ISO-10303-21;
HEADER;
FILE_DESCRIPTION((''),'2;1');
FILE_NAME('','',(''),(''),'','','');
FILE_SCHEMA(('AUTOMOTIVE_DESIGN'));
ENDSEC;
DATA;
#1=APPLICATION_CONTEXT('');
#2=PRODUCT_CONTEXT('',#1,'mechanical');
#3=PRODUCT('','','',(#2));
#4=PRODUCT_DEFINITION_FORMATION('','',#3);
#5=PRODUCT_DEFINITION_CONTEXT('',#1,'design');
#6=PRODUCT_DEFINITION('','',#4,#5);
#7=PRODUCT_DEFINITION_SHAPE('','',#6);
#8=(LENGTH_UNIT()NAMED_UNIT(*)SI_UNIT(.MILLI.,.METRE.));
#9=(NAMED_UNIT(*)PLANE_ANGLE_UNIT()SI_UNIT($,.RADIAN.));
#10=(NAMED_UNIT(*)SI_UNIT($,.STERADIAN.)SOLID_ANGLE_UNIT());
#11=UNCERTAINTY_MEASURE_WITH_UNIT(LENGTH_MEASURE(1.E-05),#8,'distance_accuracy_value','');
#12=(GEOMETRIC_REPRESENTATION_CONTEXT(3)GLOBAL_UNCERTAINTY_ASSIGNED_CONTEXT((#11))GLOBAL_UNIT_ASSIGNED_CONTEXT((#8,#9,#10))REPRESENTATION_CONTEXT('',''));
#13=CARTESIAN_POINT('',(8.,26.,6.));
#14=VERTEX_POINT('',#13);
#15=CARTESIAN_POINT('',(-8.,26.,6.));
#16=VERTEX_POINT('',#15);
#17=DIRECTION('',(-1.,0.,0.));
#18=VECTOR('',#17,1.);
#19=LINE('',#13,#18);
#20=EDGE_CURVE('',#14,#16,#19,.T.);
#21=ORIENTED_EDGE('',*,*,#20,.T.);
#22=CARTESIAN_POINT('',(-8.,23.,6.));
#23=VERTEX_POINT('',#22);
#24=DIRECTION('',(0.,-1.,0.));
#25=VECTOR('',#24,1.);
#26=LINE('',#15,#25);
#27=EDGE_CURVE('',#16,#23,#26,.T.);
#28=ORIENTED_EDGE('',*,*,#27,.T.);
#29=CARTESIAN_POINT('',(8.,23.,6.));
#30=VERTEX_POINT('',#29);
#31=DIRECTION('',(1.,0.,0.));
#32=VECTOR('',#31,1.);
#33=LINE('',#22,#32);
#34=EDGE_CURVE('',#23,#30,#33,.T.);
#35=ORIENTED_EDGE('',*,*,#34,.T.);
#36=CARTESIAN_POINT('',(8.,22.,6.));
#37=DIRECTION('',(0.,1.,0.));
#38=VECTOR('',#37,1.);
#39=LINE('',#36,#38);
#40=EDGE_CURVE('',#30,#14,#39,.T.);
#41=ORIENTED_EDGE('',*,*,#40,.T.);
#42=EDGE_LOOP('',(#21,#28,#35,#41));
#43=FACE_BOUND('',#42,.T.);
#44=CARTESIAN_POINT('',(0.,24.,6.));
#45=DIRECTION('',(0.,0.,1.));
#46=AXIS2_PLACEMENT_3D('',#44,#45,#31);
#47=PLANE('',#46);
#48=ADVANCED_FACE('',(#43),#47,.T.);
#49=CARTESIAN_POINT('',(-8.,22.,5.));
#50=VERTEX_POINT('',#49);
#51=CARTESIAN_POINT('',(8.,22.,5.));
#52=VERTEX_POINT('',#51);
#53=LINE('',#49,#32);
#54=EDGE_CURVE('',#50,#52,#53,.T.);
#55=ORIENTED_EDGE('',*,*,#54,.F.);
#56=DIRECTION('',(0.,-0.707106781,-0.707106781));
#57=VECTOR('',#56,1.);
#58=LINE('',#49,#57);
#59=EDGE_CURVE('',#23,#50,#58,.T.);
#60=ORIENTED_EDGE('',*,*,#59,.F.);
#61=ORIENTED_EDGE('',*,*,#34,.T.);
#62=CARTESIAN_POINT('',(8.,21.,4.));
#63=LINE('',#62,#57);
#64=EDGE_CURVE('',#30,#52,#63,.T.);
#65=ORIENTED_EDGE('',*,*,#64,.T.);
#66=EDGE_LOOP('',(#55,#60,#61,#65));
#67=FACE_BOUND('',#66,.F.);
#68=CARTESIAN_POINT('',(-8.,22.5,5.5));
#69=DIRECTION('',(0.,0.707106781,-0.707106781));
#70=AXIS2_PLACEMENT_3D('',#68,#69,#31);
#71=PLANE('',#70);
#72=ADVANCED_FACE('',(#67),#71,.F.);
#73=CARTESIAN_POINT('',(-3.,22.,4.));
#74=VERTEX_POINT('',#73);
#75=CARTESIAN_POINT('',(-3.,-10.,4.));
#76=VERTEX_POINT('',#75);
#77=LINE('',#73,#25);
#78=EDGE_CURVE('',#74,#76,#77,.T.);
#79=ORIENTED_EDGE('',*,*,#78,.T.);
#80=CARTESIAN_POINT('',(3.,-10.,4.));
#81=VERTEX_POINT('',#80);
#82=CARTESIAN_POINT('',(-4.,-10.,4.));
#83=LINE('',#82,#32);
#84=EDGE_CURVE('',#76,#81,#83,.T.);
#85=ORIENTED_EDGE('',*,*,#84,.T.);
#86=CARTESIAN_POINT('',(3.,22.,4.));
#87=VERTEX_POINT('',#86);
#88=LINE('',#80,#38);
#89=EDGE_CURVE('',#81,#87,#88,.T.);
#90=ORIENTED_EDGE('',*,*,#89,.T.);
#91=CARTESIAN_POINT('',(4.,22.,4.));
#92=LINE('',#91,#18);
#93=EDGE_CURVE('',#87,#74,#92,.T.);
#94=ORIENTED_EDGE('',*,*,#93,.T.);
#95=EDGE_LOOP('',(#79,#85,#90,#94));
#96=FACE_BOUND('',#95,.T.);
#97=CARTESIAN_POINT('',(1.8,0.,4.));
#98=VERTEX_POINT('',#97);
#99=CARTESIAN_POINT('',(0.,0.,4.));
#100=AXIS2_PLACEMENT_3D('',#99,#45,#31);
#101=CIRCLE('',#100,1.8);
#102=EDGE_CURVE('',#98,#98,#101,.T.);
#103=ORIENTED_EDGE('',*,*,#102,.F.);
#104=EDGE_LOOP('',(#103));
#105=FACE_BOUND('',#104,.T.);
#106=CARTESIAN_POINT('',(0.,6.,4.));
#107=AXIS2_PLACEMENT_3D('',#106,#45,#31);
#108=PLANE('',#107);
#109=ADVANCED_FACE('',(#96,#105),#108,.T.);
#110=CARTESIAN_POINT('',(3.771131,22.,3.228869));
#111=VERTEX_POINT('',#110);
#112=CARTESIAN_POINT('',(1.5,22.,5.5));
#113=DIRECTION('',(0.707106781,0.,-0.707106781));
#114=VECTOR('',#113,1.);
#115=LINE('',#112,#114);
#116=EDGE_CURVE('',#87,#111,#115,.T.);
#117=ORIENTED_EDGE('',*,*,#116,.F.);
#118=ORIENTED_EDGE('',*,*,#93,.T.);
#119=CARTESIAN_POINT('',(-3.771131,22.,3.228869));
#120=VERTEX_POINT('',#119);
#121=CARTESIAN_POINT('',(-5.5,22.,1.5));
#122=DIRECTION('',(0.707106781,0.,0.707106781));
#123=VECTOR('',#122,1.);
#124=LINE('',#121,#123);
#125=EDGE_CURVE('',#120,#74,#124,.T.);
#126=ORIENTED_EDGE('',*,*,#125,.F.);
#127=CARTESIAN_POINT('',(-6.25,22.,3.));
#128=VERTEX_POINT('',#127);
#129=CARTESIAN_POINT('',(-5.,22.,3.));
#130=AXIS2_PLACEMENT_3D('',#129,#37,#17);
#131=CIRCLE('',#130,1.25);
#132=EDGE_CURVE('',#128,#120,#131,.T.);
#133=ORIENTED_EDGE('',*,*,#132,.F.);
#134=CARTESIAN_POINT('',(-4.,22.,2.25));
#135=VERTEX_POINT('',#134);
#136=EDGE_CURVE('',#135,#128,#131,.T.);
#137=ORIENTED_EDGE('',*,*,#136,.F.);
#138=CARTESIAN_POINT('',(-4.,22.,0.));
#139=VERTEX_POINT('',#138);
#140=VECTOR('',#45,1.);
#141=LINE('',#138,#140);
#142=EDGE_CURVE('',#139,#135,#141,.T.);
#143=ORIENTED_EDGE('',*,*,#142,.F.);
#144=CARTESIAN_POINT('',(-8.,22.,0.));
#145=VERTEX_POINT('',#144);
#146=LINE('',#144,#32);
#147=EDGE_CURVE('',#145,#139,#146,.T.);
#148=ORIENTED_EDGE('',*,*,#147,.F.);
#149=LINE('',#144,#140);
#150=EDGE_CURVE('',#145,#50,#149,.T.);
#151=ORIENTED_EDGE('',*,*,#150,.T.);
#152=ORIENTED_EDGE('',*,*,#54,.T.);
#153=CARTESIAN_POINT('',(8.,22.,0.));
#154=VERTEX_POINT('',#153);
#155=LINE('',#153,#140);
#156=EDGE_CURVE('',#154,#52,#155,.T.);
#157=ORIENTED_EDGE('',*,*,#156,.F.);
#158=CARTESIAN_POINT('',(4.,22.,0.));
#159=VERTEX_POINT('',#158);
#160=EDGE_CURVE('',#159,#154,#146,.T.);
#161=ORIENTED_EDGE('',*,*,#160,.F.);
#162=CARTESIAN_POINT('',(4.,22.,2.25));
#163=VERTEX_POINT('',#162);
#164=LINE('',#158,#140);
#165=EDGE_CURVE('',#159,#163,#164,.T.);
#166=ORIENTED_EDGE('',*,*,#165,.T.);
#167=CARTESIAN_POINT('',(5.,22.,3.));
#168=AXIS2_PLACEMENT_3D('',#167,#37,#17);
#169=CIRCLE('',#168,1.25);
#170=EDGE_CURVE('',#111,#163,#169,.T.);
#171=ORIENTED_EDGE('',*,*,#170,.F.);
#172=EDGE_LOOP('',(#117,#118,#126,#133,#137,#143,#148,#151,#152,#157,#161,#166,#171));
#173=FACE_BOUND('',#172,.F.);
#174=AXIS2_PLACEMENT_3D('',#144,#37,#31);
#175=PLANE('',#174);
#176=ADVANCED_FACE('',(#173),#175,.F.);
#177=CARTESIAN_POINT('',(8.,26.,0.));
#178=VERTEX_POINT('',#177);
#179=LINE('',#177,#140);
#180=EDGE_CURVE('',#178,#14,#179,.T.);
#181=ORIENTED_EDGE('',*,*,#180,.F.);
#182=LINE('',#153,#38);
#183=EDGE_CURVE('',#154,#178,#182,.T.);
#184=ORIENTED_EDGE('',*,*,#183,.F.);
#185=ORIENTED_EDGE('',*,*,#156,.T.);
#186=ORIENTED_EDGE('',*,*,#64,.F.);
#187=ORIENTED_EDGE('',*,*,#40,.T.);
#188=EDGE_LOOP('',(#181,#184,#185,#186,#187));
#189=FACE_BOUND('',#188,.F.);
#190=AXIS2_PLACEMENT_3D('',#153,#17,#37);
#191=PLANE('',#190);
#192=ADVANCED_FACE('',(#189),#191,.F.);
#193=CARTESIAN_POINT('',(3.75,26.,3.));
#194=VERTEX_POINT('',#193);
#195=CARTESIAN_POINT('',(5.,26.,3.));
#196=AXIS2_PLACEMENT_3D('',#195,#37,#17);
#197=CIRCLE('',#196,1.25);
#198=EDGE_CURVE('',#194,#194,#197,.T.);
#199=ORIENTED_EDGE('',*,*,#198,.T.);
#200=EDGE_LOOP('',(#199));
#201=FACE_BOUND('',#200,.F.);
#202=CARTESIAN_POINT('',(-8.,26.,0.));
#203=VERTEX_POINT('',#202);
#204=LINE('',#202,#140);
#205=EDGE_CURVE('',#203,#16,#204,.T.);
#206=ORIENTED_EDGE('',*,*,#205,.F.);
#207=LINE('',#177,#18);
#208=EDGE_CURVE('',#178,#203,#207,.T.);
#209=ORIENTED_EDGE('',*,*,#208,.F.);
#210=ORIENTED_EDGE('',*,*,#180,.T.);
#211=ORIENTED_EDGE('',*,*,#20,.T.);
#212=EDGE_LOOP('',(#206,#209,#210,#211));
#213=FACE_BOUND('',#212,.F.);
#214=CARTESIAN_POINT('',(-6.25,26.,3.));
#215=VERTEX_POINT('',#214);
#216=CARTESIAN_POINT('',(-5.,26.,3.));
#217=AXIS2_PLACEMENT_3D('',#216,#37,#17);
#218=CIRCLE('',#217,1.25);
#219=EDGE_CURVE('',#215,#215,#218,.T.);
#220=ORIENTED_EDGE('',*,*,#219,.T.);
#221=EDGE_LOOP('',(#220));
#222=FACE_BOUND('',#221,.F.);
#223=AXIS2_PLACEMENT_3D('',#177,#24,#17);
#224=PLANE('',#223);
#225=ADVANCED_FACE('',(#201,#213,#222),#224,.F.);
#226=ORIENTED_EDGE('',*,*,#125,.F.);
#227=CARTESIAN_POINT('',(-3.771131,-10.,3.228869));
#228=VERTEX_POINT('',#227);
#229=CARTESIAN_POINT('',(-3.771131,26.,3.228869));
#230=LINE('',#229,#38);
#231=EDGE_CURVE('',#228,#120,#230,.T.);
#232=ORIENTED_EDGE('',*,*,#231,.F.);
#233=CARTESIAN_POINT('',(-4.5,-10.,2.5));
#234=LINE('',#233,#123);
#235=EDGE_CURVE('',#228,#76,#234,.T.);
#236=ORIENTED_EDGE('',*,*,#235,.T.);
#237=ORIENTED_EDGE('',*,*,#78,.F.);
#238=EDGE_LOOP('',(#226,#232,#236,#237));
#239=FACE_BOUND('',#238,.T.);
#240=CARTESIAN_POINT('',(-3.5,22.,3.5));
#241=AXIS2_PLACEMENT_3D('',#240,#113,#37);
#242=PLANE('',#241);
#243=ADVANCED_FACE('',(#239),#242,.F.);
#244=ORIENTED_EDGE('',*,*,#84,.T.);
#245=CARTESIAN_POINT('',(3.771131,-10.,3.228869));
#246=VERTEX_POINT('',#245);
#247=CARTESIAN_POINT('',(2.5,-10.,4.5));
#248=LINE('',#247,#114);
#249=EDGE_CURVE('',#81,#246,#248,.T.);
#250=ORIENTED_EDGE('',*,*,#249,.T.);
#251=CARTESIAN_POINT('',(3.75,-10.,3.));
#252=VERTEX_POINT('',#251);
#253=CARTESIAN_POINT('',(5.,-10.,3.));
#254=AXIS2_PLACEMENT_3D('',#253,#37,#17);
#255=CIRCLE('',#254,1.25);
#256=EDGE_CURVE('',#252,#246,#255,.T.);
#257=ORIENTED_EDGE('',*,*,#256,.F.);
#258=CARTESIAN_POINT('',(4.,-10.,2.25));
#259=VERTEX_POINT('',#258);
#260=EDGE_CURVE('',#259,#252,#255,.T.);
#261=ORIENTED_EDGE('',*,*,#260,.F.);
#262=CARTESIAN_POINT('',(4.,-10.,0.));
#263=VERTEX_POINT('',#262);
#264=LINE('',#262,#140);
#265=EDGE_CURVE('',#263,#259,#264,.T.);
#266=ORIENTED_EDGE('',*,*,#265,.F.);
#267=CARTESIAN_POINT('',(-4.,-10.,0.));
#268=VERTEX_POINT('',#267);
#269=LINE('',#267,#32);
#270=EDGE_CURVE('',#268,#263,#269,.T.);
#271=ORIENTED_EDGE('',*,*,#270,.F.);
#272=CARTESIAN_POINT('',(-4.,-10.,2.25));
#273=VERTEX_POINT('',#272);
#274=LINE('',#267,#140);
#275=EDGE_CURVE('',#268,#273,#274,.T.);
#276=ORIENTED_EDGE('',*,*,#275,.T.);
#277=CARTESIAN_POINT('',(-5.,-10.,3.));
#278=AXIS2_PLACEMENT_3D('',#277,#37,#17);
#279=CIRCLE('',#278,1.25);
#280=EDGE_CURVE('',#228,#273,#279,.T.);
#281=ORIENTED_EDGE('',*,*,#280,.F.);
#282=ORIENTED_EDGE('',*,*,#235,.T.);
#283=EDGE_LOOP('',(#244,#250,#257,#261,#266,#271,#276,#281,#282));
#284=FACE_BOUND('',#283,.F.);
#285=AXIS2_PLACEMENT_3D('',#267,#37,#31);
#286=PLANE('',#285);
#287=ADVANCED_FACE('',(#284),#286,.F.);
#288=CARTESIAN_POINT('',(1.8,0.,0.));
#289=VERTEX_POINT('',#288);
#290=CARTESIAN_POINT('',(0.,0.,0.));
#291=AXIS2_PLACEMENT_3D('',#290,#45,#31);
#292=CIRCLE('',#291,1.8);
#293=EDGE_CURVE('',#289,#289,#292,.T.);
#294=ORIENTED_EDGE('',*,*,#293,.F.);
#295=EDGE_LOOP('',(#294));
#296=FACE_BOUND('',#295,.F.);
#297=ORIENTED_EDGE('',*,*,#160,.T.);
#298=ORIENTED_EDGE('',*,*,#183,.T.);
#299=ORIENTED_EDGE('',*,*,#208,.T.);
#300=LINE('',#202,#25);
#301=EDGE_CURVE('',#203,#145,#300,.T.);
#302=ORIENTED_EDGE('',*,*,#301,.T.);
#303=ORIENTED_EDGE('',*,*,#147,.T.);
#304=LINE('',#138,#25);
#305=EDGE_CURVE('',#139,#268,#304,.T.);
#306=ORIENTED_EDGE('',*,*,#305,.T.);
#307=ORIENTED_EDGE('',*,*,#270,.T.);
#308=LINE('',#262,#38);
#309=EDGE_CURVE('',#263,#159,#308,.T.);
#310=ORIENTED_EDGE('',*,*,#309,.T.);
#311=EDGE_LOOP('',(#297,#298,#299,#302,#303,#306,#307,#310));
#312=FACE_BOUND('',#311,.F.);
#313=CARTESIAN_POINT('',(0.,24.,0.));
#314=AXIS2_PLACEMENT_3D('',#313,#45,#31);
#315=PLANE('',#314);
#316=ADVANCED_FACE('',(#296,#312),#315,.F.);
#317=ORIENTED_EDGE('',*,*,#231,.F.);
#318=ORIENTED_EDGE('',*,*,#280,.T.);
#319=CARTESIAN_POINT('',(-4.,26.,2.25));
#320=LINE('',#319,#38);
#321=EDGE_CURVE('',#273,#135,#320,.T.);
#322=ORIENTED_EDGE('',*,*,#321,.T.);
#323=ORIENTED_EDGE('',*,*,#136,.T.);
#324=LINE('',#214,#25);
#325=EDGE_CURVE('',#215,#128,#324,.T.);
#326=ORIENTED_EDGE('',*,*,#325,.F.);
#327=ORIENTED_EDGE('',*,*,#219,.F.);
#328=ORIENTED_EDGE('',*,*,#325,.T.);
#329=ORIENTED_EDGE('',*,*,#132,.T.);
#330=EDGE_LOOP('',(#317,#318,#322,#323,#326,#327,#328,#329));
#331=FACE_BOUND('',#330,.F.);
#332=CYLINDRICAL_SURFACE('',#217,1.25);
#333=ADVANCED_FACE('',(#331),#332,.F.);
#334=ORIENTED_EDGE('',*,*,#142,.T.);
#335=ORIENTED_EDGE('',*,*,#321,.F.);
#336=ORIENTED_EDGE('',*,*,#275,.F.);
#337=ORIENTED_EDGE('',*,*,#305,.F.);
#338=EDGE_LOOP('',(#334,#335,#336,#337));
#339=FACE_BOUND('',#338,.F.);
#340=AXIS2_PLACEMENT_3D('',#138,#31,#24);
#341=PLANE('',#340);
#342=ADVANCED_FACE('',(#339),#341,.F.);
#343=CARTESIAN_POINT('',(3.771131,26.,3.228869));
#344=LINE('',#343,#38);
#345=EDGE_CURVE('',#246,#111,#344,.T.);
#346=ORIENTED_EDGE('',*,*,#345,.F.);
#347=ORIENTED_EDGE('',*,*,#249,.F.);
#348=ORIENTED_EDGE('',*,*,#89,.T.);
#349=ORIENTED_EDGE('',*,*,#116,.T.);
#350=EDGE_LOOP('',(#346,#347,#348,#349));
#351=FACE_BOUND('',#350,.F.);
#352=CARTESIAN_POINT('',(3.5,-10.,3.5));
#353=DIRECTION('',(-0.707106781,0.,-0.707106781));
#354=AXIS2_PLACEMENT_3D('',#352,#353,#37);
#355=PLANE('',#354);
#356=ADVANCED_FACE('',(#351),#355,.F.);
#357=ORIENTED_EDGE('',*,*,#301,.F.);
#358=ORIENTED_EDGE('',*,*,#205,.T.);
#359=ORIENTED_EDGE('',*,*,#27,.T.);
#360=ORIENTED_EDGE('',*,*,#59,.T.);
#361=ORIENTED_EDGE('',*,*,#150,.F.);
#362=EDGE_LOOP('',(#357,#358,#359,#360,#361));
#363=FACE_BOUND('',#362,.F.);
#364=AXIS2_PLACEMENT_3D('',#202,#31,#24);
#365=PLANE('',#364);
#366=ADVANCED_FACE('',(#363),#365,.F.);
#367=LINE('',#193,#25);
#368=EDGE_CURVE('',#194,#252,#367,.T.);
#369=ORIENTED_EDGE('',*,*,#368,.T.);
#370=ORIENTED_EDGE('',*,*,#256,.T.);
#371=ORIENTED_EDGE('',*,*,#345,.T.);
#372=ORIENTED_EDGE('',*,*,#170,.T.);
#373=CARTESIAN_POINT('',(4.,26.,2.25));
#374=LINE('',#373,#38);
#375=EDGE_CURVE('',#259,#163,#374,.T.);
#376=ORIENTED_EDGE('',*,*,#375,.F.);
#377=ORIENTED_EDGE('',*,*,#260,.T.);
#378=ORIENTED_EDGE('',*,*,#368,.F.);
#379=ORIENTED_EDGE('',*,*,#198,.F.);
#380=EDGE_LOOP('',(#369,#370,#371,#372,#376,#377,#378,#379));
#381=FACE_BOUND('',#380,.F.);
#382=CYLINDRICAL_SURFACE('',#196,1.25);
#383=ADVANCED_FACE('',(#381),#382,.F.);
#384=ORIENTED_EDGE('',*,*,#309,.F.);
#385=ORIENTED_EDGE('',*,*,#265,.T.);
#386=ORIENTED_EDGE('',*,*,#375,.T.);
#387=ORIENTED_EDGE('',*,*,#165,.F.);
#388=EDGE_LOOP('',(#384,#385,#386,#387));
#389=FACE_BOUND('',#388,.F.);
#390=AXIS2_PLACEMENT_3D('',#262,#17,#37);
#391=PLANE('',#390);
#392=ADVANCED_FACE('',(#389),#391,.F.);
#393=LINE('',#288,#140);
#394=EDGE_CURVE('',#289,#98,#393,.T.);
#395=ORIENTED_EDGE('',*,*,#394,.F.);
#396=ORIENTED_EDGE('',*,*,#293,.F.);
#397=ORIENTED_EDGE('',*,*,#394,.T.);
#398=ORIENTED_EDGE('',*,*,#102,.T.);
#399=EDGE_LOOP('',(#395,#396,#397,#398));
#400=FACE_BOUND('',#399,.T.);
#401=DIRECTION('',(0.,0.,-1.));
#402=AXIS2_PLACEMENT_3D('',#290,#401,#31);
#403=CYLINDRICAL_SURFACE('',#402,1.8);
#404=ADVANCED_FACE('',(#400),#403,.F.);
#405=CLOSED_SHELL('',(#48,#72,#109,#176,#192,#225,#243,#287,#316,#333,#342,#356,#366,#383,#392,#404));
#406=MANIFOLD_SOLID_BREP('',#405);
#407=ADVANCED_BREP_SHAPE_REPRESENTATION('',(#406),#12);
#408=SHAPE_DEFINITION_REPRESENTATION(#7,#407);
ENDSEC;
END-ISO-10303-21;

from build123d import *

# Parameters (mm, degrees)
F0_R     = 1.8
F1_DEPTH = 4
F2_DEPTH = 6
F4_SIZE  = 1
F3_R     = 1.25
F5_DEPTH = 40


with BuildPart() as f1:
    # F0 (on Top) → F1 (new body)
    with BuildSketch(Plane.XY):
        Polygon((4, 22), (-4, 22), (-4, -10), (0, -10), (4, -10), align=None)
        Circle(F0_R, mode=Mode.SUBTRACT)
    extrude(amount=F1_DEPTH)

    # F0 (on Top) → F2 (join)
    with BuildSketch(Plane.XY):
        Polygon((8, 26), (0, 26), (-8, 26), (-8, 22), (-4, 22), (4, 22), (8, 22), align=None)
    extrude(amount=F2_DEPTH)

    # F4
    f4_edges = [f1.edges().sort_by_distance(p)[0] for p in [
        (0, 22, 6),
        (-4, 6, 4),
        (4, 6, 4),
    ]]
    chamfer(f4_edges, length=F4_SIZE)

    # F3 (on face) → F5 (cut)
    with BuildSketch(Plane(origin=(0, 26, 0), x_dir=(-1, 0, 0), z_dir=(0, 1, 0))):
        with Locations((-5, 3)):
            Circle(F3_R)
        with Locations((5, 3)):
            Circle(F3_R)
    extrude(amount=-F5_DEPTH, mode=Mode.SUBTRACT)


solid = f1.part
